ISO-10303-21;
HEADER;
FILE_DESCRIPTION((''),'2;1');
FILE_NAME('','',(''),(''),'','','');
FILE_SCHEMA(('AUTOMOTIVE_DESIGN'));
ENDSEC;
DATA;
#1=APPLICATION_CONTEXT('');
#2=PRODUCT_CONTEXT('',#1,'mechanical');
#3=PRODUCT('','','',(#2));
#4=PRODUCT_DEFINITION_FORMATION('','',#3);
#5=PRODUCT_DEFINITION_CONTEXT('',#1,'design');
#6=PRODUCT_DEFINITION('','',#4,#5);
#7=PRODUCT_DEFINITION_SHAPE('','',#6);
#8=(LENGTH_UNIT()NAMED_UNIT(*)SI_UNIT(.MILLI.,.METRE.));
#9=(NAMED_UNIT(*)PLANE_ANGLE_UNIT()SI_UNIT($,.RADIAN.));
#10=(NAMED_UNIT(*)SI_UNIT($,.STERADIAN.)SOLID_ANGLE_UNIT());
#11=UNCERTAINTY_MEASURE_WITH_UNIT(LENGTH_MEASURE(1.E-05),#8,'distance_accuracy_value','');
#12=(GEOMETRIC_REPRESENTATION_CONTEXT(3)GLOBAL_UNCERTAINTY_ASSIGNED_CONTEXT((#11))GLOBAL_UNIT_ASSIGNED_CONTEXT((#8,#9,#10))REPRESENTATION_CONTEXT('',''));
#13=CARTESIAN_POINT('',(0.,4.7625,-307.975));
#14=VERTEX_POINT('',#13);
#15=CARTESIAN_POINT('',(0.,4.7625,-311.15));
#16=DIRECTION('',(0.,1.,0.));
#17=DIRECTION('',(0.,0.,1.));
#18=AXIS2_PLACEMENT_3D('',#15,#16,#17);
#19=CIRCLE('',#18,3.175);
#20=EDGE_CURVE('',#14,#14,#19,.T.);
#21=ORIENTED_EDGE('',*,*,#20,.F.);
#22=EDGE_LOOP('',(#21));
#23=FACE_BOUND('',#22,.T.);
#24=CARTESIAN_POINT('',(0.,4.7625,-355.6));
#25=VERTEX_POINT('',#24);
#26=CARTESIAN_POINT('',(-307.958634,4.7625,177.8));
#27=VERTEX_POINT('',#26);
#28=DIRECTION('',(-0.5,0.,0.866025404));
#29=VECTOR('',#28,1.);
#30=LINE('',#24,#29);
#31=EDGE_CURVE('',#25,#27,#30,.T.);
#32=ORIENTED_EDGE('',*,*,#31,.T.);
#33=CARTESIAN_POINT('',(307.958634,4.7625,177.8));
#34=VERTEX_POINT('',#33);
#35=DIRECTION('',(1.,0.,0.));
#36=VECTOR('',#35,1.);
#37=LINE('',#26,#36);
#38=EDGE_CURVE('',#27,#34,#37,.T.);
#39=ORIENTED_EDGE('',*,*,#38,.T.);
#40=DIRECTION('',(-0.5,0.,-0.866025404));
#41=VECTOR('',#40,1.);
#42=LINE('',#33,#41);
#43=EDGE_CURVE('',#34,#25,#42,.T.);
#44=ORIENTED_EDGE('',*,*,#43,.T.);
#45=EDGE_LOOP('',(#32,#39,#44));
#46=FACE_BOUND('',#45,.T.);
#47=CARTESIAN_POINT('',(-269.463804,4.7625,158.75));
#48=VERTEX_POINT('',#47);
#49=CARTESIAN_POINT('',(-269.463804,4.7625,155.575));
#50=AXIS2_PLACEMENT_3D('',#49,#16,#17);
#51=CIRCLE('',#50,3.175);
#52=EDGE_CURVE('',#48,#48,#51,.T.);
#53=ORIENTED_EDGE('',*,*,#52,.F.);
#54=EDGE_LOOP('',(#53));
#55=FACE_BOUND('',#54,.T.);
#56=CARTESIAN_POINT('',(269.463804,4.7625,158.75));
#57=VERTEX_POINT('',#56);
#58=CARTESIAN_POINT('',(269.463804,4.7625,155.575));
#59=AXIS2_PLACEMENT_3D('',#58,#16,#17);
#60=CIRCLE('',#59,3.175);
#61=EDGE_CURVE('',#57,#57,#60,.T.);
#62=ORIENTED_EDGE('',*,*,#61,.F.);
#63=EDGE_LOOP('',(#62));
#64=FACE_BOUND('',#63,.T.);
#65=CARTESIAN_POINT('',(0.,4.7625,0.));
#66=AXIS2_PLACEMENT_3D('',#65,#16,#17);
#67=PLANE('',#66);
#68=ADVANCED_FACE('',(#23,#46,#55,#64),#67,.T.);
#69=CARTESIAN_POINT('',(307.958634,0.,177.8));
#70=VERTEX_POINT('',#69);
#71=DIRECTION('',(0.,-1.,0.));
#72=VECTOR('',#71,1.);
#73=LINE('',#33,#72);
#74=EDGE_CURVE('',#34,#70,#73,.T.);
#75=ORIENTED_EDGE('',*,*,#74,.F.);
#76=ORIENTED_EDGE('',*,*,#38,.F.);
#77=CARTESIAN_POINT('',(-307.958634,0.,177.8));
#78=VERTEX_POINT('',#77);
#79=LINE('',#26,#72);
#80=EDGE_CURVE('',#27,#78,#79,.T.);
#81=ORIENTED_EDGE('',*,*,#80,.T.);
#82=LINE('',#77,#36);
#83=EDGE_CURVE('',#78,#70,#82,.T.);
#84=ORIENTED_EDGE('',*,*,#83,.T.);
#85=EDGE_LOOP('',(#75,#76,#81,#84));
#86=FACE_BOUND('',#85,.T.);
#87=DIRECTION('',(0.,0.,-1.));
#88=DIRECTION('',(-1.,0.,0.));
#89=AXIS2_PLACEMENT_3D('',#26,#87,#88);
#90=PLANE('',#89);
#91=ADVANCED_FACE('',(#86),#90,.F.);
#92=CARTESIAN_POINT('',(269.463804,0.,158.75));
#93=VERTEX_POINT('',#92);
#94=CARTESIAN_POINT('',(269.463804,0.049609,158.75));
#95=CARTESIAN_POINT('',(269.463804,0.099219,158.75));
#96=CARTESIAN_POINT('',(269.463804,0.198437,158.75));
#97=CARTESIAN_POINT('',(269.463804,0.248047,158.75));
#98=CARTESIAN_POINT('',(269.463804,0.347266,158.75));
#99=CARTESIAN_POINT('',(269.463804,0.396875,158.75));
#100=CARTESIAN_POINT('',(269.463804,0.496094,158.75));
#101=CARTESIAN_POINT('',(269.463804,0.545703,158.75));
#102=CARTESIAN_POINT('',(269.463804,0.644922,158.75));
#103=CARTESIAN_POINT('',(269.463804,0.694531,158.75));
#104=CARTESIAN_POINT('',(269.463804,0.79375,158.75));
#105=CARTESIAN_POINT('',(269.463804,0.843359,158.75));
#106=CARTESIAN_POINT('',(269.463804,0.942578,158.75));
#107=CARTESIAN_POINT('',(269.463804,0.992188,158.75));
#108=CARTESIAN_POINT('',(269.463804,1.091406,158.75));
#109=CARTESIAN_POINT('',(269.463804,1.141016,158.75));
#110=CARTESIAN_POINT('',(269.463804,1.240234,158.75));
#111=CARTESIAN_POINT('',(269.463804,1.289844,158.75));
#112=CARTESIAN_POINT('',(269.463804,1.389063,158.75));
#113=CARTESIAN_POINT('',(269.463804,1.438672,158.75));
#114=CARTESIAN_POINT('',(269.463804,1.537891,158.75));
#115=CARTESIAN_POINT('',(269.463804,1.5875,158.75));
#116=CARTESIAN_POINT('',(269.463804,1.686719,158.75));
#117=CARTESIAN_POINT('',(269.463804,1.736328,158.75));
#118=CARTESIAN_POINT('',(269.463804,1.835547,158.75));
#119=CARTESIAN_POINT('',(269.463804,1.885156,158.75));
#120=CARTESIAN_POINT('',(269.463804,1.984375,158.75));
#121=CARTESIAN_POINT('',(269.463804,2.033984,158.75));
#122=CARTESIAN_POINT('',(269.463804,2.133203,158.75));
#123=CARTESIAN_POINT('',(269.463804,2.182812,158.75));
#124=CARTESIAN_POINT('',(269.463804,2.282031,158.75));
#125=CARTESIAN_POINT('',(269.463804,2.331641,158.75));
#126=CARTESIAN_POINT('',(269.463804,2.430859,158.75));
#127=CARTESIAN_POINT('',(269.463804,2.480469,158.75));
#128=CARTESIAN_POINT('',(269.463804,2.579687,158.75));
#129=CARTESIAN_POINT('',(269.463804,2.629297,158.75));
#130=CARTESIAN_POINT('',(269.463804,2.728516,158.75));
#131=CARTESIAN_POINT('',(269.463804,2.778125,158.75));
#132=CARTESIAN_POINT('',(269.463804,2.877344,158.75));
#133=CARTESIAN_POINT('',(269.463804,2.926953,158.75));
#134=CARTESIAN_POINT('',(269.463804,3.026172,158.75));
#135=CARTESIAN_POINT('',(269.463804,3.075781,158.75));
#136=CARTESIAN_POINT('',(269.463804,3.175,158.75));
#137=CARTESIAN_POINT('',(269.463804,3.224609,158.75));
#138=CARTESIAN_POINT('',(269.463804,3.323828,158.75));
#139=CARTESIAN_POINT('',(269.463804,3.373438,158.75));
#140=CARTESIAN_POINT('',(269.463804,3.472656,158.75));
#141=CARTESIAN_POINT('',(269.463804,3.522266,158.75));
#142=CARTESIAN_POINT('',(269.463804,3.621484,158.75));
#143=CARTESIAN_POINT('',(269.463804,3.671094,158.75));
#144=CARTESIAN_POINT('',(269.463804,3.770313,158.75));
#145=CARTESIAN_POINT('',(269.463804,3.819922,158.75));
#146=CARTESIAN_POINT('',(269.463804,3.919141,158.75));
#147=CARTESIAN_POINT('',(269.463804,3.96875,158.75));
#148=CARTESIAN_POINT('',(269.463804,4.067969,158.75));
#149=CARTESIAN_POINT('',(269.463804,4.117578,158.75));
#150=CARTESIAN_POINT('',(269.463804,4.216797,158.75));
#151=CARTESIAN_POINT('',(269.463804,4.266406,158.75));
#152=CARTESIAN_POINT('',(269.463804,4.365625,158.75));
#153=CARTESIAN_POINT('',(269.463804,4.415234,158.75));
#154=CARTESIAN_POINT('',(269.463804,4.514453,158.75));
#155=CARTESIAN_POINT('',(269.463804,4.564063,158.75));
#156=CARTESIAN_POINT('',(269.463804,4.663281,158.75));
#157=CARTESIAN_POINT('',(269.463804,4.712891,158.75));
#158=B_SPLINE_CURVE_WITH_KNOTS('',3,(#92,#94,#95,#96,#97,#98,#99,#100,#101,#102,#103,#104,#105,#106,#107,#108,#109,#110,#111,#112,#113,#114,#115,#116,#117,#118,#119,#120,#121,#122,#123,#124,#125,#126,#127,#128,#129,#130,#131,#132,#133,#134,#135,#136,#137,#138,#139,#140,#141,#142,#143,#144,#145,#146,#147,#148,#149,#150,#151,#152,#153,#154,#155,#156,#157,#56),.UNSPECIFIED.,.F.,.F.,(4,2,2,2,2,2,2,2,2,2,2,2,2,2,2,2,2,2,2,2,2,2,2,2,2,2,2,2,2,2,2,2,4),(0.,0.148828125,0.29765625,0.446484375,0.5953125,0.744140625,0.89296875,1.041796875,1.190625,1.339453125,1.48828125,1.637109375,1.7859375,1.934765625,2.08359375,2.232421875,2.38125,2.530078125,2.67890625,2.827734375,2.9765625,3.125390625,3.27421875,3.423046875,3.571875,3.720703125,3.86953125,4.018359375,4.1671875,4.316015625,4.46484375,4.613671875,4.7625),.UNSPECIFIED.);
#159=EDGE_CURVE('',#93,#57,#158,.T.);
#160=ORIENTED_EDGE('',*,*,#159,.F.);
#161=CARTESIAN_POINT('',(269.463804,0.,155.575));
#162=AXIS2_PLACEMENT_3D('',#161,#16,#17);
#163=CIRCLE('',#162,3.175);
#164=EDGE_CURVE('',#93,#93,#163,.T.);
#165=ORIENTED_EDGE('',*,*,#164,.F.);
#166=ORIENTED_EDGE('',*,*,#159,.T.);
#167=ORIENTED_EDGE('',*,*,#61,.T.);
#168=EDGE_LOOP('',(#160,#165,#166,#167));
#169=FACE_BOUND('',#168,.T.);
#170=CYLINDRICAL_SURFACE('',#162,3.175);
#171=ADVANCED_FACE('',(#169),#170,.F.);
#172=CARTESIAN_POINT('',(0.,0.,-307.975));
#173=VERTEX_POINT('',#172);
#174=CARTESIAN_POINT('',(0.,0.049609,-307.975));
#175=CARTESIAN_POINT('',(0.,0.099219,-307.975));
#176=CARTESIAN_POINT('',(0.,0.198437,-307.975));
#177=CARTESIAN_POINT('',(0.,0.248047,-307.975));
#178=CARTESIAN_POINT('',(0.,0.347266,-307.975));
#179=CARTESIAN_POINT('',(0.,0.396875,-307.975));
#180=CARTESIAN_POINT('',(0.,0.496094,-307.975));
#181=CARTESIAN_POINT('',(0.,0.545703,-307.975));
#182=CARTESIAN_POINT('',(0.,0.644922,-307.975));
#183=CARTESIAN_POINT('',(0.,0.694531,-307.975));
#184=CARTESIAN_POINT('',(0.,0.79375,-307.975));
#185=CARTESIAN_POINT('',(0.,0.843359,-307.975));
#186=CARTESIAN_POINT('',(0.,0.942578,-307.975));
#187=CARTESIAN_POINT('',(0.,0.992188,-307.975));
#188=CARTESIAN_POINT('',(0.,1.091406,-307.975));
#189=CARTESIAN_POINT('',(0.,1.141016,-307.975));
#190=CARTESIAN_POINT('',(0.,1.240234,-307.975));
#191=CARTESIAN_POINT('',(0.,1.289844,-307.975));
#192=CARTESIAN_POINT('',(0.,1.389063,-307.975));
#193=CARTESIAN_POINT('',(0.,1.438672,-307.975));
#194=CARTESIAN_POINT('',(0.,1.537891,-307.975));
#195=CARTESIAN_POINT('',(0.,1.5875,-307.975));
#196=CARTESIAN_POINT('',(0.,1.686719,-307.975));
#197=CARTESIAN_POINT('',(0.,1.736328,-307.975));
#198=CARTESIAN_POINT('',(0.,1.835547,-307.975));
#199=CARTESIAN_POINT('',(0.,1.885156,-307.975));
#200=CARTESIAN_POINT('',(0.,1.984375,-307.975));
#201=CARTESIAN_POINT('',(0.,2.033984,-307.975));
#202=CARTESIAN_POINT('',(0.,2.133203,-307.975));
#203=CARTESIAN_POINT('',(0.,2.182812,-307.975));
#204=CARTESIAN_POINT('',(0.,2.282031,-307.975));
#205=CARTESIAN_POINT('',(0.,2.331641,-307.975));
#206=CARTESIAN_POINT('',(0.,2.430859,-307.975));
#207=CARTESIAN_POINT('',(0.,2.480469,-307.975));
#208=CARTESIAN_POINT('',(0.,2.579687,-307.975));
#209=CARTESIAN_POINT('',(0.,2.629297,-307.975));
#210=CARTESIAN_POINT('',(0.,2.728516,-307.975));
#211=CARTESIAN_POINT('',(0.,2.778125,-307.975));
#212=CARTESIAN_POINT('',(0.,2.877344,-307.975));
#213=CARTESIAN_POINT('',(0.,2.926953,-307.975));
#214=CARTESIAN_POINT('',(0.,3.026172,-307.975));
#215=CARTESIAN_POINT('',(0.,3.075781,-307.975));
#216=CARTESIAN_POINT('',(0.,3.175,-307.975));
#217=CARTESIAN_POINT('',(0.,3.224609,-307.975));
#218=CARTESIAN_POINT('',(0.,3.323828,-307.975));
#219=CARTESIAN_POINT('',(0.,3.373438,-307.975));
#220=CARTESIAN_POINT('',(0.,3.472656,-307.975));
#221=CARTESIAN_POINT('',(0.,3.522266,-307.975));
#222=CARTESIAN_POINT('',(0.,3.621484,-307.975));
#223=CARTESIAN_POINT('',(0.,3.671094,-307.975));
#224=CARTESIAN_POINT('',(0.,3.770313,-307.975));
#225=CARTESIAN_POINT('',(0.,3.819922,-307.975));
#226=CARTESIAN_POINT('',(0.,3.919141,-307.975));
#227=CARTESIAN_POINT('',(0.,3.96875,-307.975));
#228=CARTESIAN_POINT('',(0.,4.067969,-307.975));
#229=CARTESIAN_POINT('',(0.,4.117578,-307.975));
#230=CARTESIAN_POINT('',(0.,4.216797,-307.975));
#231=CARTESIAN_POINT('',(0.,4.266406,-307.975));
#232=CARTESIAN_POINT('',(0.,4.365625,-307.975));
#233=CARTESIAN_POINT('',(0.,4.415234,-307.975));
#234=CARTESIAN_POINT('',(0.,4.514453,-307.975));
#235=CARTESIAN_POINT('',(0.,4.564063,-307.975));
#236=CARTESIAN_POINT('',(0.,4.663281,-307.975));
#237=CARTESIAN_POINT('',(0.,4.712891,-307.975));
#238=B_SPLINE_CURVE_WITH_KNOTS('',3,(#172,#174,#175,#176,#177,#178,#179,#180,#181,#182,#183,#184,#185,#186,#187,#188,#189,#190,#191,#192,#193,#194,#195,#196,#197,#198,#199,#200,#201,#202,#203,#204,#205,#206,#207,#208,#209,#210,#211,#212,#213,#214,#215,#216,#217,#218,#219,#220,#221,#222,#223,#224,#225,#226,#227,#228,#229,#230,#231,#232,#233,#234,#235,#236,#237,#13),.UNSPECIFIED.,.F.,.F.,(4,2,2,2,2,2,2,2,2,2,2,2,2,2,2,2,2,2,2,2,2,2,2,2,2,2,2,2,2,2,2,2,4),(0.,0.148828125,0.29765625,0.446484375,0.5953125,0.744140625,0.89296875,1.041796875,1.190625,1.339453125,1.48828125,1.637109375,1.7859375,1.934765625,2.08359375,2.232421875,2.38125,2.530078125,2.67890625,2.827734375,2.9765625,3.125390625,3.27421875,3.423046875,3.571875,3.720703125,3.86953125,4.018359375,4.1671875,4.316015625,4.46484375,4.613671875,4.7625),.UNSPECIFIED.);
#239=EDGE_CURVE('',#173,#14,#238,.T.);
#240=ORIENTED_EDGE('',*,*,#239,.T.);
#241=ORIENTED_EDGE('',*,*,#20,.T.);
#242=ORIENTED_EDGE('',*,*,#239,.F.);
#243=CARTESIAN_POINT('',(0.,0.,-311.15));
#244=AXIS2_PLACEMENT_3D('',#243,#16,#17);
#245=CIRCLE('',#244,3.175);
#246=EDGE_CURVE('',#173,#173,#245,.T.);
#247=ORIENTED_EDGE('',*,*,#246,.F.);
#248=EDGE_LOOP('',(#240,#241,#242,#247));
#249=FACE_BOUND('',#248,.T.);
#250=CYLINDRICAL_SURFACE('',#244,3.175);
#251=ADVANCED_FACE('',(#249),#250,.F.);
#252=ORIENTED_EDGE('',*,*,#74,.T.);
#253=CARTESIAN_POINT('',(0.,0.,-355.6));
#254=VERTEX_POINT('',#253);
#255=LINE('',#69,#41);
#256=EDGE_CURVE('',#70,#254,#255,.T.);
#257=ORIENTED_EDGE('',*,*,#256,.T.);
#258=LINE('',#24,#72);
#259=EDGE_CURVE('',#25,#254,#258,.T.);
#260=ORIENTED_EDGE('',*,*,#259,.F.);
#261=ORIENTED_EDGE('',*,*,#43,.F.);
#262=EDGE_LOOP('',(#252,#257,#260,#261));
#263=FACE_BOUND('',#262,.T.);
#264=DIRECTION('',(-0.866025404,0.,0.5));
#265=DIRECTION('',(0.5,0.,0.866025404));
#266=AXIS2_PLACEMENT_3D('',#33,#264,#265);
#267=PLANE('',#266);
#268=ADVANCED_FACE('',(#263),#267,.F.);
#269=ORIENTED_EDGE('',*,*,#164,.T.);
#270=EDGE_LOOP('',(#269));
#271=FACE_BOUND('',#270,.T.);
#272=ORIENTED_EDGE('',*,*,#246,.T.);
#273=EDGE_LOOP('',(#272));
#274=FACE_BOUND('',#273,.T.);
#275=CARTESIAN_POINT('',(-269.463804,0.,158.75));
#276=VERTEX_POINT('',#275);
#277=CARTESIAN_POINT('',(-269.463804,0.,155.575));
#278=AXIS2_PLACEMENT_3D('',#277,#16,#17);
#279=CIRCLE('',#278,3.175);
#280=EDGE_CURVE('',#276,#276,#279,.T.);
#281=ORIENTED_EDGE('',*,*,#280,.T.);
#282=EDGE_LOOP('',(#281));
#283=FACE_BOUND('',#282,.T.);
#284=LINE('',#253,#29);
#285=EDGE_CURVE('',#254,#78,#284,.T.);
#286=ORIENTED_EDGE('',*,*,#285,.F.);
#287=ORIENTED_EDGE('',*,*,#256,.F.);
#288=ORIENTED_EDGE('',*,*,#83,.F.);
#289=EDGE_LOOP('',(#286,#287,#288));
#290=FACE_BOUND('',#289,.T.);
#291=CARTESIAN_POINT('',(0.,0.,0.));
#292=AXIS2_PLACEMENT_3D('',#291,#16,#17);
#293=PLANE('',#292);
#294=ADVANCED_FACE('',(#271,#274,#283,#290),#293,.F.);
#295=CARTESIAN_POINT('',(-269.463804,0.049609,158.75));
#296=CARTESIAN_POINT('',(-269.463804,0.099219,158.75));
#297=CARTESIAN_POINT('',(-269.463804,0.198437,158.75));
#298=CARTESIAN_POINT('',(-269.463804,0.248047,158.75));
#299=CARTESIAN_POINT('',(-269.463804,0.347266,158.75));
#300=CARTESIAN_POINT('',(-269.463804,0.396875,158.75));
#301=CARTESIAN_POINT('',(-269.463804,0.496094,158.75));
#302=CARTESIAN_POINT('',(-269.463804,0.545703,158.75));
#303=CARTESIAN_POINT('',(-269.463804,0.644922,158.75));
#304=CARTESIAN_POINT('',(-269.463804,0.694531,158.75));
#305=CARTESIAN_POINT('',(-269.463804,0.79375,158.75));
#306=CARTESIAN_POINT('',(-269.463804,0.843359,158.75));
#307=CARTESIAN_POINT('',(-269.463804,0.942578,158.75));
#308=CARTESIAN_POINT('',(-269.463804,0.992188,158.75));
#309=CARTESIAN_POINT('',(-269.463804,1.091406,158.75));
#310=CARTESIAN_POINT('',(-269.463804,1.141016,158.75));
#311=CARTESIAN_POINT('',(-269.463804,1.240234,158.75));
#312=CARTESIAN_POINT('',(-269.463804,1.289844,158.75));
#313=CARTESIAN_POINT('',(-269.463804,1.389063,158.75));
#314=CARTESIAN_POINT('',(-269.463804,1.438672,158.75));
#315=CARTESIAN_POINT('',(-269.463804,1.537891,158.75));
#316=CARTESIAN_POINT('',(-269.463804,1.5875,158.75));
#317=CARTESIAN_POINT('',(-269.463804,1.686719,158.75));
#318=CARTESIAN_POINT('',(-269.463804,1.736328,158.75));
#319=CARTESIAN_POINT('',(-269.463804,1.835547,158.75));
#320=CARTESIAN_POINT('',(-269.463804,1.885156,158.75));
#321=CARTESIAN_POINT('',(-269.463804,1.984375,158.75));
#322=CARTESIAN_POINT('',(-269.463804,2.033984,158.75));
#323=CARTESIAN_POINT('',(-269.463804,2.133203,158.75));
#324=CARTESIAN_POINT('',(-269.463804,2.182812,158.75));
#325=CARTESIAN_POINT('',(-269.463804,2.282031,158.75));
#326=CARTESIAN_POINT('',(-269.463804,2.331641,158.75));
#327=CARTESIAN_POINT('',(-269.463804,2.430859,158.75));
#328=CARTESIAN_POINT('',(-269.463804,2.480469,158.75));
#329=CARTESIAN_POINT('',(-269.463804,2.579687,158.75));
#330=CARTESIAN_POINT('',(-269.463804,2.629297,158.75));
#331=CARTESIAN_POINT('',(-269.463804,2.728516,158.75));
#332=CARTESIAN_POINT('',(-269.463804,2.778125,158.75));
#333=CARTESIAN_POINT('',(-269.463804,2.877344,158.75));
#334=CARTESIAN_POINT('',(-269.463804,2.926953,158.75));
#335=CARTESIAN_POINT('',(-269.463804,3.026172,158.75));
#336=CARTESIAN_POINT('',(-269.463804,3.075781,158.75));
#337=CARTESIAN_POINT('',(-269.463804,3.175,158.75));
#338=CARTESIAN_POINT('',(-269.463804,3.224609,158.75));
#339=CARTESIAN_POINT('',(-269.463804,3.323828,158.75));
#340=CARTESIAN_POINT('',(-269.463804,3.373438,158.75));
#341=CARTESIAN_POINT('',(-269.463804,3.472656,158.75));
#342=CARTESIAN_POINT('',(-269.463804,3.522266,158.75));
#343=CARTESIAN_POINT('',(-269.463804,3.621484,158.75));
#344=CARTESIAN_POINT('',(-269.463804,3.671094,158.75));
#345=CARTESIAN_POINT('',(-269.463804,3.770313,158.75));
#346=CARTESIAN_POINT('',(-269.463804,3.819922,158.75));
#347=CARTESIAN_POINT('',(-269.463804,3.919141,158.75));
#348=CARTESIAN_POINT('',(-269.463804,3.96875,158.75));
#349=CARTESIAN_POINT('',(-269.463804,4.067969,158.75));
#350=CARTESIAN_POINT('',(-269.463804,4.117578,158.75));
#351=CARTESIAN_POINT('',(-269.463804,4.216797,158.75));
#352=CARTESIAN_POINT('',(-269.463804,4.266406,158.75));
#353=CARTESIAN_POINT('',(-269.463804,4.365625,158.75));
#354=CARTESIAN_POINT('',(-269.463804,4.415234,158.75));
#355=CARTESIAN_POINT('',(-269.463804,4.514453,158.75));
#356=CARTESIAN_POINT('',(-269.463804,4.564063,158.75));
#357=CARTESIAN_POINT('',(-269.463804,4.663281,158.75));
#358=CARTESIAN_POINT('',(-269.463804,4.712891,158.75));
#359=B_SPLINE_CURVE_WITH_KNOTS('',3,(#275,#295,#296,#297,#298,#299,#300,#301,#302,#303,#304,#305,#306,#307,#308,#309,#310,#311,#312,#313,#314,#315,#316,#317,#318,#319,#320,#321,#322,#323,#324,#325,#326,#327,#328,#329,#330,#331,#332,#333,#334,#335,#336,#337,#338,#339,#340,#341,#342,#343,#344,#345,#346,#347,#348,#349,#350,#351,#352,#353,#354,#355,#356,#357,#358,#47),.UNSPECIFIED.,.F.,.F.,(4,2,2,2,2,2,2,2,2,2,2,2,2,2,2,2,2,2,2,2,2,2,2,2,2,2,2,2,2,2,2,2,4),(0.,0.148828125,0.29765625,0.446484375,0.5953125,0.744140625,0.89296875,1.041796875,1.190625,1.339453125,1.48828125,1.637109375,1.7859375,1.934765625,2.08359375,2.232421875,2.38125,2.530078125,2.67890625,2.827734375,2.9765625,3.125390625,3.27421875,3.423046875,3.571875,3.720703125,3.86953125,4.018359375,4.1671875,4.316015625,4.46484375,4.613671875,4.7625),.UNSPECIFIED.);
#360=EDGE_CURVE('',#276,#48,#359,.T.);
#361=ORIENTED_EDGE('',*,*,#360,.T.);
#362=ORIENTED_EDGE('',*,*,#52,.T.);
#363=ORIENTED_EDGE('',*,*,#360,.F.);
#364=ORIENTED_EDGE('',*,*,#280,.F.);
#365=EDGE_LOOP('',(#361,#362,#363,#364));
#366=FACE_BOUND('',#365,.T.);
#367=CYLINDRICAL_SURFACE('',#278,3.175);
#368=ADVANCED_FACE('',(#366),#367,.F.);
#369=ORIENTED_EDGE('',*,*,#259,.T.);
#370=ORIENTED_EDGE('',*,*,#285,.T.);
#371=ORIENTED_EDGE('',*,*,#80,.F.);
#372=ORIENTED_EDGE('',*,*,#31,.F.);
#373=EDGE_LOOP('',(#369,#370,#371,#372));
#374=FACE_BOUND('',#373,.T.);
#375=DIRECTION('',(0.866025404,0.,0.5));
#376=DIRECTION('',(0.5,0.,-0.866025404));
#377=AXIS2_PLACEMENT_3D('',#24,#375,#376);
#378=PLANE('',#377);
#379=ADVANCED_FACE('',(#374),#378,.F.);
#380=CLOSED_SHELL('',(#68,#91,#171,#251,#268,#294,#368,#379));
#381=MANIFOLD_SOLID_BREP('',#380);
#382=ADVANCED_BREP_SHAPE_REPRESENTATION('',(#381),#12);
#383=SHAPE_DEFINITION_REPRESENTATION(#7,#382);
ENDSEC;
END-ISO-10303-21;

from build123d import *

# Parameters (mm, degrees)
BOSS_EXTRUDE1_DEPTH = 4.7625
SKETCH2_R           = 3.175
CUT_EXTRUDE1_DEPTH  = 471.43869038


with BuildPart() as part:
    # Sketch1 → Boss-Extrude1 (new body)
    with BuildSketch(Plane(origin=(0, 0, 0), x_dir=(1, 0, 0), z_dir=(0, 1, 0))):
        Polygon((0, 355.6), (-307.958633586, -177.8), (307.958633586, -177.8), align=None)
    extrude(amount=BOSS_EXTRUDE1_DEPTH)

    # Sketch2 → Cut-Extrude1 (cut, through all)
    with BuildSketch(Plane(origin=(0, 4.7625, 0), x_dir=(1, 0, 0), z_dir=(0, 1, 0))):
        with Locations(Location((0, 311.15, 0), (0, 0, 270))):
            Circle(SKETCH2_R)
        with Locations(Location((-269.463804388, -155.575, 0), (0, 0, 270))):
            Circle(SKETCH2_R)
        with Locations(Location((269.463804388, -155.575, 0), (0, 0, 270))):
            Circle(SKETCH2_R)
    extrude(amount=-CUT_EXTRUDE1_DEPTH, mode=Mode.SUBTRACT)


solid = part.part
